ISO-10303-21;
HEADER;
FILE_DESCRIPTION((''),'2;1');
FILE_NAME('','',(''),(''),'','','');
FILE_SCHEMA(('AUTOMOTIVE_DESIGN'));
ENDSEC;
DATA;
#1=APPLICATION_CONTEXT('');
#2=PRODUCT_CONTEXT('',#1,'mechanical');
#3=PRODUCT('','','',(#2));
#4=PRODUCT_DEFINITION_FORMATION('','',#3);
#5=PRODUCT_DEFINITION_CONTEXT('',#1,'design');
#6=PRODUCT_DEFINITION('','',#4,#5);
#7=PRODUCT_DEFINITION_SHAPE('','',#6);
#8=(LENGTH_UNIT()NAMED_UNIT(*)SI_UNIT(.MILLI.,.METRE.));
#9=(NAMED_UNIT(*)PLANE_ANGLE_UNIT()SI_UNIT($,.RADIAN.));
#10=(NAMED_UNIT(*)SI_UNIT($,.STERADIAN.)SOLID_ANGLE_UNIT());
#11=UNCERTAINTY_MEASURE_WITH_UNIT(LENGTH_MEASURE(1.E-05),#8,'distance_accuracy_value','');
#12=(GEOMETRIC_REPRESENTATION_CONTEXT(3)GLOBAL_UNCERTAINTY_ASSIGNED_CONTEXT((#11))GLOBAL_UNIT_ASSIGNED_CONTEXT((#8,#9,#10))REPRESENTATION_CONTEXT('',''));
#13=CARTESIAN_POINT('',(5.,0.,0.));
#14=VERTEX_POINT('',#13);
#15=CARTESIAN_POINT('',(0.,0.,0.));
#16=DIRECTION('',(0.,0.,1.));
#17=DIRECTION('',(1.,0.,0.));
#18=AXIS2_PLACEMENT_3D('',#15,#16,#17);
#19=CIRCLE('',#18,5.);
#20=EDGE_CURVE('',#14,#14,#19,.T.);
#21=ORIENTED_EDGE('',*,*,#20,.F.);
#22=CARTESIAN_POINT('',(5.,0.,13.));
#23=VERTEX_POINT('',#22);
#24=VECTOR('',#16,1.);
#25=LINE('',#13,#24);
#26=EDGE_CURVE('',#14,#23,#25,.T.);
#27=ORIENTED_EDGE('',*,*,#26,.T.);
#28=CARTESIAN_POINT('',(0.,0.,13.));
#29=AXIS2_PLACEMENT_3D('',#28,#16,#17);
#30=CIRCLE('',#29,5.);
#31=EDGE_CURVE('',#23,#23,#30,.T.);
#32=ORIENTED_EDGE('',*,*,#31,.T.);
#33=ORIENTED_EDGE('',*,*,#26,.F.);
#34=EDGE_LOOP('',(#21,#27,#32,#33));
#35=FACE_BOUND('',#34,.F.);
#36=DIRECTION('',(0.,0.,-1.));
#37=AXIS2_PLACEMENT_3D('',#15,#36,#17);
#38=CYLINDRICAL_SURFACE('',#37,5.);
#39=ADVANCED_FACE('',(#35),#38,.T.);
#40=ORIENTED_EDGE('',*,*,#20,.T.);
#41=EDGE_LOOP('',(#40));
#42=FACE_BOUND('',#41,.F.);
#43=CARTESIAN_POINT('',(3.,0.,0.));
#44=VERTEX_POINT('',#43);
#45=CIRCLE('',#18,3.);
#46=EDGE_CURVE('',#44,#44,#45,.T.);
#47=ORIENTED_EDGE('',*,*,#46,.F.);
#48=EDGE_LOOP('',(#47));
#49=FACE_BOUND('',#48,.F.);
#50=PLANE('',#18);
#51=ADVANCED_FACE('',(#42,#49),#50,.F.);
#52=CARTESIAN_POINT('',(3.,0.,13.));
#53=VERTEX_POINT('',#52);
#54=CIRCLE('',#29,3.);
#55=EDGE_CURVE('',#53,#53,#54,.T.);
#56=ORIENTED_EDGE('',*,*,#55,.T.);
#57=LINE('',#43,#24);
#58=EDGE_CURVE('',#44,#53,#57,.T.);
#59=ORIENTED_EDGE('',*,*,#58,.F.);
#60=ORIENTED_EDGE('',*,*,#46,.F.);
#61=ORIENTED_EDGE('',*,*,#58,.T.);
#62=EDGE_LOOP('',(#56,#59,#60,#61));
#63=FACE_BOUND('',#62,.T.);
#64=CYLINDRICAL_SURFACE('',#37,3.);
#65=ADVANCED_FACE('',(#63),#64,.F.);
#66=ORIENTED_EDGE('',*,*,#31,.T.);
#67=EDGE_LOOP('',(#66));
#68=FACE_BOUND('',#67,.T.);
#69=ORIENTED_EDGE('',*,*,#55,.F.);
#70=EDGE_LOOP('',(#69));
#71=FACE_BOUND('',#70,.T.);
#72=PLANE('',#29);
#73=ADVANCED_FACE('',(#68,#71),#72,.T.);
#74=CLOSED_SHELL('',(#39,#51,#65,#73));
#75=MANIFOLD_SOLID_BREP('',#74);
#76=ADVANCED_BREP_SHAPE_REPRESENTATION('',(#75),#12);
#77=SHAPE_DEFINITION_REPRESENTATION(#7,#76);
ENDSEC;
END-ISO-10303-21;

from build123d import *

# Parameters (mm, degrees)
ESQUISSE1_R      = 5
ESQUISSE1_R_2    = 3
EXTRUSION1_DEPTH = 13


with BuildPart() as part:
    # Esquisse1 → Extrusion1 (new body)
    with BuildSketch(Plane.XY):
        Circle(ESQUISSE1_R)
        Circle(ESQUISSE1_R_2, mode=Mode.SUBTRACT)
    extrude(amount=EXTRUSION1_DEPTH)


solid = part.part
